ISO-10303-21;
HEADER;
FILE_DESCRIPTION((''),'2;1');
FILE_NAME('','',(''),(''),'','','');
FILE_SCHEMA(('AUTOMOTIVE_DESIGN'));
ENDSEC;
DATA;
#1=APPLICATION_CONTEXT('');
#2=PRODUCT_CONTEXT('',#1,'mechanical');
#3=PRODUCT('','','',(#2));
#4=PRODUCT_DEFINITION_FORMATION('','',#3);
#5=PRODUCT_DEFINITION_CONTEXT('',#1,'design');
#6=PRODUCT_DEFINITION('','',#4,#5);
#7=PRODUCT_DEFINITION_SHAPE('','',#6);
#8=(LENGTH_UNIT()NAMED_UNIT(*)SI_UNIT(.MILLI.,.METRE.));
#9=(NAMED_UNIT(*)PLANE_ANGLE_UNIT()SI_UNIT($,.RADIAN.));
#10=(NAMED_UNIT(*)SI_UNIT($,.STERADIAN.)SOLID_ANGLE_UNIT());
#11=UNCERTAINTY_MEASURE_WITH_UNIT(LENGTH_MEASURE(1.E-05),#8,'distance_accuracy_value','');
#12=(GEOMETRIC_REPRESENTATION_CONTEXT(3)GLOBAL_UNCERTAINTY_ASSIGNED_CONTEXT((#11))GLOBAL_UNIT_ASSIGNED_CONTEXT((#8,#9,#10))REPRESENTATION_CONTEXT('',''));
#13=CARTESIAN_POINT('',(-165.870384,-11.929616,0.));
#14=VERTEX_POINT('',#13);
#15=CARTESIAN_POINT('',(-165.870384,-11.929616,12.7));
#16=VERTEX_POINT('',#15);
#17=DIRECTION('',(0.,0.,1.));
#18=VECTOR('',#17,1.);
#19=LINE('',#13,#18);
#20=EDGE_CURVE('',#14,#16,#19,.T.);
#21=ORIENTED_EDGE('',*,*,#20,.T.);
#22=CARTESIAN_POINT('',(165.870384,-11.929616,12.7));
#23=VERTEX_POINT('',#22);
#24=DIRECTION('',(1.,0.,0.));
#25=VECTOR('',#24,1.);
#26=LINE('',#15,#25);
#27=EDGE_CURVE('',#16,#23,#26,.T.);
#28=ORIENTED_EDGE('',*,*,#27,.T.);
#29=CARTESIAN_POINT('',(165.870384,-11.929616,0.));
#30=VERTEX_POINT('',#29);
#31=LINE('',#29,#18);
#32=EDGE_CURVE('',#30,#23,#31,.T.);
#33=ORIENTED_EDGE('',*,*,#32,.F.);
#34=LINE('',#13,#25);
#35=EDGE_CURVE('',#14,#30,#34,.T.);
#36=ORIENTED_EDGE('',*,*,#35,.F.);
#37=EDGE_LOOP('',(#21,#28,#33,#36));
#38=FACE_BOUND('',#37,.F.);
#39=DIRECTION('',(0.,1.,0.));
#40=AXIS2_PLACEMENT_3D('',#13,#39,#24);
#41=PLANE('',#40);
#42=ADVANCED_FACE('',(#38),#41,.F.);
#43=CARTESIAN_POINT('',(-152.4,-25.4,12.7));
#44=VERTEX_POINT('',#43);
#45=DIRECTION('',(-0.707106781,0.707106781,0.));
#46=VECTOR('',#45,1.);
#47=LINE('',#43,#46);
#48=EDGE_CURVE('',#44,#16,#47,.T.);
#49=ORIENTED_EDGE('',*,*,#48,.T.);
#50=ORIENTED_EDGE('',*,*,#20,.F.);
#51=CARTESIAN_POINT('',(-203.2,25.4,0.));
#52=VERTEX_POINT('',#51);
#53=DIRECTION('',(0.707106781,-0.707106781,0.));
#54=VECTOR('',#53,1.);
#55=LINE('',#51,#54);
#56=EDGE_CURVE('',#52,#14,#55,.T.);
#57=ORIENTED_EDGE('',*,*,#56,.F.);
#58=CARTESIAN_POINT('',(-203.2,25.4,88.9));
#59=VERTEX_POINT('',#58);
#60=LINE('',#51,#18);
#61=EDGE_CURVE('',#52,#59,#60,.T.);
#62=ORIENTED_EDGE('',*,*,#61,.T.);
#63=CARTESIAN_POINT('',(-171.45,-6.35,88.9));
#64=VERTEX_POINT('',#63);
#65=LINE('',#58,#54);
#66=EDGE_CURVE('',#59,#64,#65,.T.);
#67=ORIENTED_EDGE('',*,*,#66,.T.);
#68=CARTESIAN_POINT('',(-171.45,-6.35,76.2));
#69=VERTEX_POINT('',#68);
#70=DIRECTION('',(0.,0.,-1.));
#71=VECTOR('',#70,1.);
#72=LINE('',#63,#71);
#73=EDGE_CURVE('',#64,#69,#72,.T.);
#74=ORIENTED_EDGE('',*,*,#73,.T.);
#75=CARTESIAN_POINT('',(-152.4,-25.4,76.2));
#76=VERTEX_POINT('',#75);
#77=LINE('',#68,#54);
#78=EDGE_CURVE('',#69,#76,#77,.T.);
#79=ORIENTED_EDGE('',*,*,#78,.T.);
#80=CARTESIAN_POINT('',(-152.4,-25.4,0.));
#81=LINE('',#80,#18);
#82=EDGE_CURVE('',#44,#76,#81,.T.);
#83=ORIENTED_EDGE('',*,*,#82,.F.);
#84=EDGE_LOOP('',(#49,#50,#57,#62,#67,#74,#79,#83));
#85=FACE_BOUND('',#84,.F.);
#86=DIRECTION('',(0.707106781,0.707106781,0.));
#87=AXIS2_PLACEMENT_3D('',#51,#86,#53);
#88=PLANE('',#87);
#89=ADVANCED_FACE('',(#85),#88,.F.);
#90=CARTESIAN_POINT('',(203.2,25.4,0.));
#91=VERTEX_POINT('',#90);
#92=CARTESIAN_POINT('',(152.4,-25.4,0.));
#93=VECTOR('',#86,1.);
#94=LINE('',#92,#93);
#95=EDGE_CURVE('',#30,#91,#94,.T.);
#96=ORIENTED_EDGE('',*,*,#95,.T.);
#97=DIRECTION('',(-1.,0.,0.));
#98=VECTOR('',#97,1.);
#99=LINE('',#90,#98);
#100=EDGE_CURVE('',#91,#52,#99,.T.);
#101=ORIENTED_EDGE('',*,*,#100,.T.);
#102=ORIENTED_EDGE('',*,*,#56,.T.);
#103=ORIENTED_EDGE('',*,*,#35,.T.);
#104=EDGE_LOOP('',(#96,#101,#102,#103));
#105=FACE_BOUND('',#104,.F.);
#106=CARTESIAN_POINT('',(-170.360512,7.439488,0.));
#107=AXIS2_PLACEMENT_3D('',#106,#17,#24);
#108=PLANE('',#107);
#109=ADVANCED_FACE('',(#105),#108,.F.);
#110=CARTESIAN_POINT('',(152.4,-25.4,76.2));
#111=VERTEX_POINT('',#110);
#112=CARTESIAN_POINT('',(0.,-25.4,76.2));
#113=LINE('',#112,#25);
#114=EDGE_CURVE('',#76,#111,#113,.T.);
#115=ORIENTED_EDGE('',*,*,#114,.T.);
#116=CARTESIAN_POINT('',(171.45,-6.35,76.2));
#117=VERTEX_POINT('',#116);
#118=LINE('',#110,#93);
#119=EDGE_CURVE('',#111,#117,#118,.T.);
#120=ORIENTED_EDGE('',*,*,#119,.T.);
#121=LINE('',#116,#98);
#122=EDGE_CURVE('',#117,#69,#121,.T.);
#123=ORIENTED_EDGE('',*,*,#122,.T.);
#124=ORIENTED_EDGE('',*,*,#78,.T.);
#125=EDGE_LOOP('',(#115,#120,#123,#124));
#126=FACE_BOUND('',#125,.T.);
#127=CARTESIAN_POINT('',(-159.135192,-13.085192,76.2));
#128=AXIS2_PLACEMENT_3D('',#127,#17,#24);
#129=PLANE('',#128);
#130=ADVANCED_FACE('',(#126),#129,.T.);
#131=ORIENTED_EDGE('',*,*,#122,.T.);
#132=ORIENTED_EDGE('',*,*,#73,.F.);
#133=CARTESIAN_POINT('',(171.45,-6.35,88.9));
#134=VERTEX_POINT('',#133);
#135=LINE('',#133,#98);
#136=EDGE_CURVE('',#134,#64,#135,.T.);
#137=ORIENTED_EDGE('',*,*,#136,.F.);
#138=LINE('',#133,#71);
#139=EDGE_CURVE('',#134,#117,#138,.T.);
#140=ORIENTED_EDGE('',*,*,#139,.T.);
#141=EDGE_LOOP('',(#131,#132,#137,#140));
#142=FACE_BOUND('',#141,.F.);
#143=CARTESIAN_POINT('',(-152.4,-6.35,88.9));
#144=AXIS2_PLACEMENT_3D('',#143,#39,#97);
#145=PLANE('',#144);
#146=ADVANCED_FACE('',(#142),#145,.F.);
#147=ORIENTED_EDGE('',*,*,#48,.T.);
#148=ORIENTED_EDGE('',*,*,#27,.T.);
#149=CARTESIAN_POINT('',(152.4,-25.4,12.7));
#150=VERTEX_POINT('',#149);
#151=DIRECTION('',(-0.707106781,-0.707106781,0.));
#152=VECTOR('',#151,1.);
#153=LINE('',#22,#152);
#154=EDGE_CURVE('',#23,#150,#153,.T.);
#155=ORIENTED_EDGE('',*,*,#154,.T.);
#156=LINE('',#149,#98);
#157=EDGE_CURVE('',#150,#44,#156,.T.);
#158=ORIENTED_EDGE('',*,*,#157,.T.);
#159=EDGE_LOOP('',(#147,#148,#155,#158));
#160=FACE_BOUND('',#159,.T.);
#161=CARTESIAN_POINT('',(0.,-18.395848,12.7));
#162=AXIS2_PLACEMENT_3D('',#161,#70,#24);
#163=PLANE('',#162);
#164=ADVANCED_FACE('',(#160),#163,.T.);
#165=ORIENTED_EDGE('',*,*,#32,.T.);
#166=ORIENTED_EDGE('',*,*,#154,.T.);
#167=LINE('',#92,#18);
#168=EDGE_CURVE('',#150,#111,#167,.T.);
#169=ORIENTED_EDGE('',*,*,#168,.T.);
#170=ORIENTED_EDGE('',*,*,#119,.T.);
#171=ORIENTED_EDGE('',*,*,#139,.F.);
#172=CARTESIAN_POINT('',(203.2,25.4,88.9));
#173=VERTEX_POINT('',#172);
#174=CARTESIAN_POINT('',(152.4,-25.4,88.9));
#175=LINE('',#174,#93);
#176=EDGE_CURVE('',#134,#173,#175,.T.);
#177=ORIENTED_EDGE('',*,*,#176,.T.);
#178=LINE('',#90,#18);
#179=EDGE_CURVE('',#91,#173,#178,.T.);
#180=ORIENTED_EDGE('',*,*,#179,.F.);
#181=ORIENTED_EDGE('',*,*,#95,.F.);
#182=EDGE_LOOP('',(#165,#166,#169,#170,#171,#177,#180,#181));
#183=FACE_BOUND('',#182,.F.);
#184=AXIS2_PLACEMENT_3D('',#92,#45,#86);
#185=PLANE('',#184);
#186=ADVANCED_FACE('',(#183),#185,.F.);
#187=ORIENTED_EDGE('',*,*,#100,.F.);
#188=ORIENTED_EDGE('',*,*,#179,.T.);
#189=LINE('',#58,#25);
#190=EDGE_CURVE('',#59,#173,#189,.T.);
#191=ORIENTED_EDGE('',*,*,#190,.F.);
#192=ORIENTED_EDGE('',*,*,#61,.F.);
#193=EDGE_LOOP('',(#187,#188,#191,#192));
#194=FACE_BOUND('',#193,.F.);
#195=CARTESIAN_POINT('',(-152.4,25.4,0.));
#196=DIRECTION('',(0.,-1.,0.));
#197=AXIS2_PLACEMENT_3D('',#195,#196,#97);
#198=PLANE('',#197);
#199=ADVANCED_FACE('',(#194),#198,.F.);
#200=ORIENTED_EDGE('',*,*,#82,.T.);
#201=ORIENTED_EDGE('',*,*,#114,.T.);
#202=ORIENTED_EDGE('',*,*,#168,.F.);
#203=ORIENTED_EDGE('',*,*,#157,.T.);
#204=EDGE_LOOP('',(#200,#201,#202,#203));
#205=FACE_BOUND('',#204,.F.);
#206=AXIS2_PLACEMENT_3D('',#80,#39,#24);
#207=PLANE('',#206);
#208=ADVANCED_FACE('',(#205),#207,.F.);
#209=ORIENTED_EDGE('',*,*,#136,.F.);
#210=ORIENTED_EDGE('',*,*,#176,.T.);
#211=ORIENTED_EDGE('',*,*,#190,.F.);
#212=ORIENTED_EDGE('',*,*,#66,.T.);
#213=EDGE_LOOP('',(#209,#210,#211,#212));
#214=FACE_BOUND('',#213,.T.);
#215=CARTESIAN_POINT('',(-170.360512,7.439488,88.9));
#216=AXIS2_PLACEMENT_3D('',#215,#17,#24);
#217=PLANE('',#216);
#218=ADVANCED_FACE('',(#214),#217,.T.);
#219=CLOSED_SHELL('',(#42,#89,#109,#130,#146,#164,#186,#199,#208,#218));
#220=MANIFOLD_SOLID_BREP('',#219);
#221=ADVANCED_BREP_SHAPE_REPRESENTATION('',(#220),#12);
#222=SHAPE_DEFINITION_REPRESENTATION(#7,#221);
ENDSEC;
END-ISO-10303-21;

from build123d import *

# Parameters (mm, degrees)
F0_W      = 304.8
F0_H      = 50.8
F1_DEPTH  = 88.9
F2_W      = 304.8
F2_H      = 19.05
F3_DEPTH  = 12.7
F5_DEPTH  = 88.9
F7_DEPTH  = 12.7
F9_DEPTH  = 88.9
F11_DEPTH = 12.7
F13_DEPTH = 12.7


with BuildPart() as f1:
    # F0 (on Top) → F1 (new body)
    with BuildSketch(Plane.XY):
        Rectangle(F0_W, F0_H)
    extrude(amount=F1_DEPTH)

    # F2 (on face) → F3 (cut)
    with BuildSketch(Plane.XY.offset(88.9)):
        with Locations((0, -15.875)):
            Rectangle(F2_W, F2_H)
    extrude(amount=-F3_DEPTH, mode=Mode.SUBTRACT)

    # F4 (on Top) → F5 (join)
    with BuildSketch(Plane.XY):
        Polygon((152.4, 25.4), (152.4, -25.4), (203.2, 25.4), align=None)
    extrude(amount=F5_DEPTH)

    # F6 (on face) → F7 (cut)
    with BuildSketch(Plane.XY.offset(88.9)):
        Polygon((171.45, -6.35), (152.4, -6.35), (152.4, -25.4), align=None)
    extrude(amount=-F7_DEPTH, mode=Mode.SUBTRACT)

    # F8 (on Top) → F9 (join)
    with BuildSketch(Plane.XY):
        Polygon((-203.2, 25.4), (-152.4, -25.4), (-152.4, 25.4), align=None)
    extrude(amount=F9_DEPTH)

    # F10 (on face) → F11 (cut)
    with BuildSketch(Plane.XY.offset(88.9)):
        Polygon((-171.45, -6.35), (-152.4, -25.4), (-152.4, -6.35), align=None)
    extrude(amount=-F11_DEPTH, mode=Mode.SUBTRACT)

    # F12 (on face) → F13 (cut)
    with BuildSketch(Plane(origin=(0, 0, 0), x_dir=(1, 0, 0), z_dir=(0, 0, -1))):
        Polygon((-165.870384, 11.929616), (165.870384, 11.929616), (152.4, 25.4), (-152.4, 25.4), align=None)
    extrude(amount=-F13_DEPTH, mode=Mode.SUBTRACT)


solid = f1.part
